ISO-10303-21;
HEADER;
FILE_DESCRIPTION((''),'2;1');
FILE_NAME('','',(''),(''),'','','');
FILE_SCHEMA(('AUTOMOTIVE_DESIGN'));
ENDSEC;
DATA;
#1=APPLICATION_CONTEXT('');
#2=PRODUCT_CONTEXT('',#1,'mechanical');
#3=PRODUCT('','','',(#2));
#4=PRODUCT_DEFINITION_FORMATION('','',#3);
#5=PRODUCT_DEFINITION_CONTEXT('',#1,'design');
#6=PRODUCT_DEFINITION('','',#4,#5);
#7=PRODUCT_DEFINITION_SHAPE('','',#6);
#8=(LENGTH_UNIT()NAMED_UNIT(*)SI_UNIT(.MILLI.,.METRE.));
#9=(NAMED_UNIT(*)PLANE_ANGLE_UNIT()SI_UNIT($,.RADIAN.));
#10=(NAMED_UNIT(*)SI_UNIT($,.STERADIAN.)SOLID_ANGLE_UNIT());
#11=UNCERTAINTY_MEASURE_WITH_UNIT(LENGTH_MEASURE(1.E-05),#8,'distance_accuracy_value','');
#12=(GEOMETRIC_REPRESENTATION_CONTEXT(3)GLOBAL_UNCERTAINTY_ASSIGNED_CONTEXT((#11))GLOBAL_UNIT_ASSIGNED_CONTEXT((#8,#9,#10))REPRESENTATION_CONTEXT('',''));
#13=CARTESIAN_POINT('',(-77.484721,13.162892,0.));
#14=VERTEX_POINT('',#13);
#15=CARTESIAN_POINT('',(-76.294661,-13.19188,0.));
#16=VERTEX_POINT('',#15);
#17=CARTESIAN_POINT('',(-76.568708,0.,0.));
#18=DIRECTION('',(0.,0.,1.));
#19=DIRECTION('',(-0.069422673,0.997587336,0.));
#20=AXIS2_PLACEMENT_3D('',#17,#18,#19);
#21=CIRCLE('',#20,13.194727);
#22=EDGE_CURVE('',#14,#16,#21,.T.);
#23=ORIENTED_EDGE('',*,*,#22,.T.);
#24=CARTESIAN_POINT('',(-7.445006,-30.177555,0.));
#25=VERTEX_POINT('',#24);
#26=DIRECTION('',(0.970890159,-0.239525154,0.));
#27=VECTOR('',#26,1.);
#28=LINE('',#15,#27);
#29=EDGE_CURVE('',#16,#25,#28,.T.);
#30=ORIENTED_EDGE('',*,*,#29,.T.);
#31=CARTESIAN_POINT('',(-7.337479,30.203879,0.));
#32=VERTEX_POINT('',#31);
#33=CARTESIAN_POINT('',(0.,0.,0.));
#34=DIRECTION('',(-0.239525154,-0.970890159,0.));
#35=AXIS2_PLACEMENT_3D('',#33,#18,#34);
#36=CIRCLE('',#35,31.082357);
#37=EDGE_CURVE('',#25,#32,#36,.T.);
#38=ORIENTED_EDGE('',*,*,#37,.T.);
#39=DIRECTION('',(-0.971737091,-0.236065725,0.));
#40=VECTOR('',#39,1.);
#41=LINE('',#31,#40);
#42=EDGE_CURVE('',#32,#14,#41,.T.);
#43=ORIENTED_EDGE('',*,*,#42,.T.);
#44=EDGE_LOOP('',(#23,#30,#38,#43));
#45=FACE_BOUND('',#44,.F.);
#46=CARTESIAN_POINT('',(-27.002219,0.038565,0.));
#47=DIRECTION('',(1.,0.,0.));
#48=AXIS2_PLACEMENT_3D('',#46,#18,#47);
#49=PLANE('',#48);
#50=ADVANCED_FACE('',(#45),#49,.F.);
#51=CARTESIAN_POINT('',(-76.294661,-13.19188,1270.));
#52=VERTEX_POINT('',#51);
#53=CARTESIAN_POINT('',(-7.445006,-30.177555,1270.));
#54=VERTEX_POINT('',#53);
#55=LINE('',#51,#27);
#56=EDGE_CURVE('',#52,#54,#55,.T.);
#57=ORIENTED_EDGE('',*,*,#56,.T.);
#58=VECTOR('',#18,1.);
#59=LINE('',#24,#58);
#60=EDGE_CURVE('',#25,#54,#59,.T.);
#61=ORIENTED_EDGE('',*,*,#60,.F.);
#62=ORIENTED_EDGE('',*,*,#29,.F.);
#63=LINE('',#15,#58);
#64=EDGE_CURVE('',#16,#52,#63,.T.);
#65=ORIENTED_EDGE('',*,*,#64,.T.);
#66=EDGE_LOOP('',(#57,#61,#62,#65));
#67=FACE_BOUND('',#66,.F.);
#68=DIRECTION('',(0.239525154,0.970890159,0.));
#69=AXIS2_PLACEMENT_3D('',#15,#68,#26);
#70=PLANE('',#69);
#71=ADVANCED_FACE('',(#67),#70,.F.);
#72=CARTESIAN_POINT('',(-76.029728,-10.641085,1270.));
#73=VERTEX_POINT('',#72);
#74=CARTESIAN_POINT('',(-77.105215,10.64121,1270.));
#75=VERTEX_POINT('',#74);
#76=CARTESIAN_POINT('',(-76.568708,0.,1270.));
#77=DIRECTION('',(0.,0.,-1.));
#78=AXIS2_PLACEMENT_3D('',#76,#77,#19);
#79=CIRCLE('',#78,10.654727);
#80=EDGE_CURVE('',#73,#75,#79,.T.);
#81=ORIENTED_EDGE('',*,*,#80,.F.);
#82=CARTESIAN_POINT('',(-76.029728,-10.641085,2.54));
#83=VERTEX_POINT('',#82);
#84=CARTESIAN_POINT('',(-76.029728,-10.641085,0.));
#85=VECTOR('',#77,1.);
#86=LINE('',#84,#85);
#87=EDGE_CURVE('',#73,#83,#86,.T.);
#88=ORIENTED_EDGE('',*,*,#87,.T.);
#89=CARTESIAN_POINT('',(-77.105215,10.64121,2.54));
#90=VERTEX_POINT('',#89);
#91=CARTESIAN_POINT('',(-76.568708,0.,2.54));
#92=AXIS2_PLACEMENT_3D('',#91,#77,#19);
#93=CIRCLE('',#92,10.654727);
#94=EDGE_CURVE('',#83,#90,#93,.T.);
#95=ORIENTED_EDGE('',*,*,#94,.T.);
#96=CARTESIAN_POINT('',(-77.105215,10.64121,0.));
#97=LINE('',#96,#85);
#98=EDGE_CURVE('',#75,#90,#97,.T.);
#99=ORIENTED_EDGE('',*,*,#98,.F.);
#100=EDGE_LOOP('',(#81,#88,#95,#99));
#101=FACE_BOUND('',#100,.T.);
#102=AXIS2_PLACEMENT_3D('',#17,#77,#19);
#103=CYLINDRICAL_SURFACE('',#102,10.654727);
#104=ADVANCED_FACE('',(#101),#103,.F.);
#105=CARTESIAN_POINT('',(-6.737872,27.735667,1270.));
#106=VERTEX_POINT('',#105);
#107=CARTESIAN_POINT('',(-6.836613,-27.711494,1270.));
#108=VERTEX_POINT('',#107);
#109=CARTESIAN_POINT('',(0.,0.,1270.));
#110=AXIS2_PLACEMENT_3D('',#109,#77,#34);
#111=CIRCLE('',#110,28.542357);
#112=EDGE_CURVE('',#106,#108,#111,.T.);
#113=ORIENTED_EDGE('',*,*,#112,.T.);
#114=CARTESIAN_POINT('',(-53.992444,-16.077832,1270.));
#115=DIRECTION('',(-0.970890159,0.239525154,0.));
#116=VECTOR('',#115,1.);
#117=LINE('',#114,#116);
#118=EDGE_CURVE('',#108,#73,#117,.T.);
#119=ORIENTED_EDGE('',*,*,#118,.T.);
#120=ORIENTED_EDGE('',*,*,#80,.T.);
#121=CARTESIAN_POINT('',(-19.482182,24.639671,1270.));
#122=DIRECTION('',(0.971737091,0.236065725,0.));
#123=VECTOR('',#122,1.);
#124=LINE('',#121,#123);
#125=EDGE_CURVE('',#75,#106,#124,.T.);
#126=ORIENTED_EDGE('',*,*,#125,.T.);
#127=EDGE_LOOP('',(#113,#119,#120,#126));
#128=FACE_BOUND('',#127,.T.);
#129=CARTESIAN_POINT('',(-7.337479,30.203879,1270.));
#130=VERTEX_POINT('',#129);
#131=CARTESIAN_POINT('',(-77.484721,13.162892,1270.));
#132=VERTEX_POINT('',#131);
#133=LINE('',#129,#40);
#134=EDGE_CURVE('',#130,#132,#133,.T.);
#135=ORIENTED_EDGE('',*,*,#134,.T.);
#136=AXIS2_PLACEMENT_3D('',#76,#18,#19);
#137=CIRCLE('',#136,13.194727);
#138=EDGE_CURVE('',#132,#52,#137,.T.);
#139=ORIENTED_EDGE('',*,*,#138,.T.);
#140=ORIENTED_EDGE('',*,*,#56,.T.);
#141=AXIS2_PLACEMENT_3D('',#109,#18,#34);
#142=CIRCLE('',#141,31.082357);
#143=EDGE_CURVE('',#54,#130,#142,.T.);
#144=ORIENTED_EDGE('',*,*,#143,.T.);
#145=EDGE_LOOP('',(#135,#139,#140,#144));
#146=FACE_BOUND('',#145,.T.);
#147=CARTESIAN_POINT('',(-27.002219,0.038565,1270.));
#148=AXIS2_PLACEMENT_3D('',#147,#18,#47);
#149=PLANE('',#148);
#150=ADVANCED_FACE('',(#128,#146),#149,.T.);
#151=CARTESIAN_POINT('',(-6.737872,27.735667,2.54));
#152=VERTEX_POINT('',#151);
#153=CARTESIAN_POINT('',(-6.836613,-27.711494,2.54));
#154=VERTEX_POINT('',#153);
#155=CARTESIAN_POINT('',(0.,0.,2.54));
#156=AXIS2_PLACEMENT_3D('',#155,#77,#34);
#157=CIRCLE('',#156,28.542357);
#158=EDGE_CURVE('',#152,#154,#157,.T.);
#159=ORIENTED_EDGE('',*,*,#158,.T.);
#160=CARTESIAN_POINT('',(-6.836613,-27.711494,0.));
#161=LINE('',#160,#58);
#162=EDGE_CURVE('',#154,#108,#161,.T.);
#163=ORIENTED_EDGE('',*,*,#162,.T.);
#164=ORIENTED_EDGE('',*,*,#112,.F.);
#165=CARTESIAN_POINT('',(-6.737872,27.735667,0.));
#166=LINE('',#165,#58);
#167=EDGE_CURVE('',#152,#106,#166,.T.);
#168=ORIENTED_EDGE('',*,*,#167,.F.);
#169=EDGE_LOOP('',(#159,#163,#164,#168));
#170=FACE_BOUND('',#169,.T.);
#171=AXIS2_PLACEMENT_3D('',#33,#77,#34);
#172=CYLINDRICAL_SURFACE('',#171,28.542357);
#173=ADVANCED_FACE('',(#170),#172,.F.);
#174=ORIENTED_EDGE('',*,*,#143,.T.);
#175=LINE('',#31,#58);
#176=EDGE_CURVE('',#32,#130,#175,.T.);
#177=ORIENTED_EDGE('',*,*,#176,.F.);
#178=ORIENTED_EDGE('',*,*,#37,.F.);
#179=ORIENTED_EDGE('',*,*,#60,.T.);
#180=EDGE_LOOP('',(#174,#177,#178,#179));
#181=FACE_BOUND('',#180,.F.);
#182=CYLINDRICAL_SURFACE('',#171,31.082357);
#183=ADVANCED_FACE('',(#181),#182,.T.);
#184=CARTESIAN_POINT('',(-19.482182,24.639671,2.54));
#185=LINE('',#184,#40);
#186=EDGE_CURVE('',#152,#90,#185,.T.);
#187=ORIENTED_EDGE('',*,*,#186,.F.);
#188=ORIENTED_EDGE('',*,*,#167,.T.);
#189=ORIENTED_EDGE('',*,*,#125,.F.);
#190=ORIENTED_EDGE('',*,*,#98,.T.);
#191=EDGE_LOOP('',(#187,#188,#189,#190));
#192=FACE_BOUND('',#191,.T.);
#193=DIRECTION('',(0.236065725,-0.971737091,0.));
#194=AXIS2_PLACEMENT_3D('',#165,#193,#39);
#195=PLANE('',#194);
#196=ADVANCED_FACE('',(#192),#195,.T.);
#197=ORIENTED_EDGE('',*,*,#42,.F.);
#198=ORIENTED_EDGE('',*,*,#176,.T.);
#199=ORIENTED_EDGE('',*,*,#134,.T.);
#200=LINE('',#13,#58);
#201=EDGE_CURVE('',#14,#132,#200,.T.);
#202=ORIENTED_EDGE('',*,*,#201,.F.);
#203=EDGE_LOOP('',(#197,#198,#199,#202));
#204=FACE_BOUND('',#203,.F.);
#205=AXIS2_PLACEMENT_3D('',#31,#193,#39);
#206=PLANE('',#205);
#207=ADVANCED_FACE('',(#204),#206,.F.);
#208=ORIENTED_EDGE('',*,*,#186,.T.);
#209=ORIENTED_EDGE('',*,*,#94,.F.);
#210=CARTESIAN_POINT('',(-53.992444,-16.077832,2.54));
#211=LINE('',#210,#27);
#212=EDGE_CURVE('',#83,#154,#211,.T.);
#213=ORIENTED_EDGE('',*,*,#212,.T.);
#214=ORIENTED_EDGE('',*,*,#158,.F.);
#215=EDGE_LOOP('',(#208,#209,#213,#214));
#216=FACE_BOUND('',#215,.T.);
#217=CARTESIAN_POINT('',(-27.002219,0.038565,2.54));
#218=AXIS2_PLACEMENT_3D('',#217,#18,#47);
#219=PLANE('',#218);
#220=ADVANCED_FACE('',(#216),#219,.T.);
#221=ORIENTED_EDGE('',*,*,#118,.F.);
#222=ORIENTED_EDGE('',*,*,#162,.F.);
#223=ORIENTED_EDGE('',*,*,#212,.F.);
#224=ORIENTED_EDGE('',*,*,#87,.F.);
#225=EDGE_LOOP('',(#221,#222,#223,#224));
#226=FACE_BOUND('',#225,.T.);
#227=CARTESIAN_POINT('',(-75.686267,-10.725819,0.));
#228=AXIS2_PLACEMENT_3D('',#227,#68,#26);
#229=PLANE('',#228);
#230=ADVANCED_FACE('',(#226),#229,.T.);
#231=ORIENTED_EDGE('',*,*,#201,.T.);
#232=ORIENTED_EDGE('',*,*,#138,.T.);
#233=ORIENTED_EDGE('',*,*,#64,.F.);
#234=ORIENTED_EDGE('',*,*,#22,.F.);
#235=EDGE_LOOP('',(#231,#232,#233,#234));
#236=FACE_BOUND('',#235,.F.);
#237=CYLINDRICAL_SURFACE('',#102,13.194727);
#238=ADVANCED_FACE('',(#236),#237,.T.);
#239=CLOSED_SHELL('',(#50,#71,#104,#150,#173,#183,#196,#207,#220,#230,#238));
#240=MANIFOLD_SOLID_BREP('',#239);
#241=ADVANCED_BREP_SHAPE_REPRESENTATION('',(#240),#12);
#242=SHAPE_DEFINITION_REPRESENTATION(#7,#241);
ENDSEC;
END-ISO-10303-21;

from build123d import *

# Parameters (mm, degrees)
F1_DEPTH = 1270
F2_T     = -2.54


with BuildPart() as f1:
    # F0 (on Top) → F1 (new body)
    with BuildSketch(Plane.XY):
        with BuildLine():
            Line((-76.2946611271, -13.1918803182), (-7.4450064273, -30.1775547845))
            ThreePointArc((-7.4450064273, -30.1775547845), (31.0823079854, -0.0553513609), (-7.3374791949, 30.2038794286))
            Line((-7.3374791949, 30.2038794286), (-77.4847210084, 13.1628920746))
            ThreePointArc((-77.4847210084, 13.1628920746), (-89.7500027986, -0.5952064431), (-76.2946611271, -13.1918803182))
        make_face()
    extrude(amount=F1_DEPTH)

    # F2
    f2_openings = [f1.faces().sort_by_distance(p)[0] for p in [
        (-22.239266, 0.032692, 1270),
    ]]
    offset(amount=F2_T, openings=f2_openings, kind=Kind.INTERSECTION)


solid = f1.part
